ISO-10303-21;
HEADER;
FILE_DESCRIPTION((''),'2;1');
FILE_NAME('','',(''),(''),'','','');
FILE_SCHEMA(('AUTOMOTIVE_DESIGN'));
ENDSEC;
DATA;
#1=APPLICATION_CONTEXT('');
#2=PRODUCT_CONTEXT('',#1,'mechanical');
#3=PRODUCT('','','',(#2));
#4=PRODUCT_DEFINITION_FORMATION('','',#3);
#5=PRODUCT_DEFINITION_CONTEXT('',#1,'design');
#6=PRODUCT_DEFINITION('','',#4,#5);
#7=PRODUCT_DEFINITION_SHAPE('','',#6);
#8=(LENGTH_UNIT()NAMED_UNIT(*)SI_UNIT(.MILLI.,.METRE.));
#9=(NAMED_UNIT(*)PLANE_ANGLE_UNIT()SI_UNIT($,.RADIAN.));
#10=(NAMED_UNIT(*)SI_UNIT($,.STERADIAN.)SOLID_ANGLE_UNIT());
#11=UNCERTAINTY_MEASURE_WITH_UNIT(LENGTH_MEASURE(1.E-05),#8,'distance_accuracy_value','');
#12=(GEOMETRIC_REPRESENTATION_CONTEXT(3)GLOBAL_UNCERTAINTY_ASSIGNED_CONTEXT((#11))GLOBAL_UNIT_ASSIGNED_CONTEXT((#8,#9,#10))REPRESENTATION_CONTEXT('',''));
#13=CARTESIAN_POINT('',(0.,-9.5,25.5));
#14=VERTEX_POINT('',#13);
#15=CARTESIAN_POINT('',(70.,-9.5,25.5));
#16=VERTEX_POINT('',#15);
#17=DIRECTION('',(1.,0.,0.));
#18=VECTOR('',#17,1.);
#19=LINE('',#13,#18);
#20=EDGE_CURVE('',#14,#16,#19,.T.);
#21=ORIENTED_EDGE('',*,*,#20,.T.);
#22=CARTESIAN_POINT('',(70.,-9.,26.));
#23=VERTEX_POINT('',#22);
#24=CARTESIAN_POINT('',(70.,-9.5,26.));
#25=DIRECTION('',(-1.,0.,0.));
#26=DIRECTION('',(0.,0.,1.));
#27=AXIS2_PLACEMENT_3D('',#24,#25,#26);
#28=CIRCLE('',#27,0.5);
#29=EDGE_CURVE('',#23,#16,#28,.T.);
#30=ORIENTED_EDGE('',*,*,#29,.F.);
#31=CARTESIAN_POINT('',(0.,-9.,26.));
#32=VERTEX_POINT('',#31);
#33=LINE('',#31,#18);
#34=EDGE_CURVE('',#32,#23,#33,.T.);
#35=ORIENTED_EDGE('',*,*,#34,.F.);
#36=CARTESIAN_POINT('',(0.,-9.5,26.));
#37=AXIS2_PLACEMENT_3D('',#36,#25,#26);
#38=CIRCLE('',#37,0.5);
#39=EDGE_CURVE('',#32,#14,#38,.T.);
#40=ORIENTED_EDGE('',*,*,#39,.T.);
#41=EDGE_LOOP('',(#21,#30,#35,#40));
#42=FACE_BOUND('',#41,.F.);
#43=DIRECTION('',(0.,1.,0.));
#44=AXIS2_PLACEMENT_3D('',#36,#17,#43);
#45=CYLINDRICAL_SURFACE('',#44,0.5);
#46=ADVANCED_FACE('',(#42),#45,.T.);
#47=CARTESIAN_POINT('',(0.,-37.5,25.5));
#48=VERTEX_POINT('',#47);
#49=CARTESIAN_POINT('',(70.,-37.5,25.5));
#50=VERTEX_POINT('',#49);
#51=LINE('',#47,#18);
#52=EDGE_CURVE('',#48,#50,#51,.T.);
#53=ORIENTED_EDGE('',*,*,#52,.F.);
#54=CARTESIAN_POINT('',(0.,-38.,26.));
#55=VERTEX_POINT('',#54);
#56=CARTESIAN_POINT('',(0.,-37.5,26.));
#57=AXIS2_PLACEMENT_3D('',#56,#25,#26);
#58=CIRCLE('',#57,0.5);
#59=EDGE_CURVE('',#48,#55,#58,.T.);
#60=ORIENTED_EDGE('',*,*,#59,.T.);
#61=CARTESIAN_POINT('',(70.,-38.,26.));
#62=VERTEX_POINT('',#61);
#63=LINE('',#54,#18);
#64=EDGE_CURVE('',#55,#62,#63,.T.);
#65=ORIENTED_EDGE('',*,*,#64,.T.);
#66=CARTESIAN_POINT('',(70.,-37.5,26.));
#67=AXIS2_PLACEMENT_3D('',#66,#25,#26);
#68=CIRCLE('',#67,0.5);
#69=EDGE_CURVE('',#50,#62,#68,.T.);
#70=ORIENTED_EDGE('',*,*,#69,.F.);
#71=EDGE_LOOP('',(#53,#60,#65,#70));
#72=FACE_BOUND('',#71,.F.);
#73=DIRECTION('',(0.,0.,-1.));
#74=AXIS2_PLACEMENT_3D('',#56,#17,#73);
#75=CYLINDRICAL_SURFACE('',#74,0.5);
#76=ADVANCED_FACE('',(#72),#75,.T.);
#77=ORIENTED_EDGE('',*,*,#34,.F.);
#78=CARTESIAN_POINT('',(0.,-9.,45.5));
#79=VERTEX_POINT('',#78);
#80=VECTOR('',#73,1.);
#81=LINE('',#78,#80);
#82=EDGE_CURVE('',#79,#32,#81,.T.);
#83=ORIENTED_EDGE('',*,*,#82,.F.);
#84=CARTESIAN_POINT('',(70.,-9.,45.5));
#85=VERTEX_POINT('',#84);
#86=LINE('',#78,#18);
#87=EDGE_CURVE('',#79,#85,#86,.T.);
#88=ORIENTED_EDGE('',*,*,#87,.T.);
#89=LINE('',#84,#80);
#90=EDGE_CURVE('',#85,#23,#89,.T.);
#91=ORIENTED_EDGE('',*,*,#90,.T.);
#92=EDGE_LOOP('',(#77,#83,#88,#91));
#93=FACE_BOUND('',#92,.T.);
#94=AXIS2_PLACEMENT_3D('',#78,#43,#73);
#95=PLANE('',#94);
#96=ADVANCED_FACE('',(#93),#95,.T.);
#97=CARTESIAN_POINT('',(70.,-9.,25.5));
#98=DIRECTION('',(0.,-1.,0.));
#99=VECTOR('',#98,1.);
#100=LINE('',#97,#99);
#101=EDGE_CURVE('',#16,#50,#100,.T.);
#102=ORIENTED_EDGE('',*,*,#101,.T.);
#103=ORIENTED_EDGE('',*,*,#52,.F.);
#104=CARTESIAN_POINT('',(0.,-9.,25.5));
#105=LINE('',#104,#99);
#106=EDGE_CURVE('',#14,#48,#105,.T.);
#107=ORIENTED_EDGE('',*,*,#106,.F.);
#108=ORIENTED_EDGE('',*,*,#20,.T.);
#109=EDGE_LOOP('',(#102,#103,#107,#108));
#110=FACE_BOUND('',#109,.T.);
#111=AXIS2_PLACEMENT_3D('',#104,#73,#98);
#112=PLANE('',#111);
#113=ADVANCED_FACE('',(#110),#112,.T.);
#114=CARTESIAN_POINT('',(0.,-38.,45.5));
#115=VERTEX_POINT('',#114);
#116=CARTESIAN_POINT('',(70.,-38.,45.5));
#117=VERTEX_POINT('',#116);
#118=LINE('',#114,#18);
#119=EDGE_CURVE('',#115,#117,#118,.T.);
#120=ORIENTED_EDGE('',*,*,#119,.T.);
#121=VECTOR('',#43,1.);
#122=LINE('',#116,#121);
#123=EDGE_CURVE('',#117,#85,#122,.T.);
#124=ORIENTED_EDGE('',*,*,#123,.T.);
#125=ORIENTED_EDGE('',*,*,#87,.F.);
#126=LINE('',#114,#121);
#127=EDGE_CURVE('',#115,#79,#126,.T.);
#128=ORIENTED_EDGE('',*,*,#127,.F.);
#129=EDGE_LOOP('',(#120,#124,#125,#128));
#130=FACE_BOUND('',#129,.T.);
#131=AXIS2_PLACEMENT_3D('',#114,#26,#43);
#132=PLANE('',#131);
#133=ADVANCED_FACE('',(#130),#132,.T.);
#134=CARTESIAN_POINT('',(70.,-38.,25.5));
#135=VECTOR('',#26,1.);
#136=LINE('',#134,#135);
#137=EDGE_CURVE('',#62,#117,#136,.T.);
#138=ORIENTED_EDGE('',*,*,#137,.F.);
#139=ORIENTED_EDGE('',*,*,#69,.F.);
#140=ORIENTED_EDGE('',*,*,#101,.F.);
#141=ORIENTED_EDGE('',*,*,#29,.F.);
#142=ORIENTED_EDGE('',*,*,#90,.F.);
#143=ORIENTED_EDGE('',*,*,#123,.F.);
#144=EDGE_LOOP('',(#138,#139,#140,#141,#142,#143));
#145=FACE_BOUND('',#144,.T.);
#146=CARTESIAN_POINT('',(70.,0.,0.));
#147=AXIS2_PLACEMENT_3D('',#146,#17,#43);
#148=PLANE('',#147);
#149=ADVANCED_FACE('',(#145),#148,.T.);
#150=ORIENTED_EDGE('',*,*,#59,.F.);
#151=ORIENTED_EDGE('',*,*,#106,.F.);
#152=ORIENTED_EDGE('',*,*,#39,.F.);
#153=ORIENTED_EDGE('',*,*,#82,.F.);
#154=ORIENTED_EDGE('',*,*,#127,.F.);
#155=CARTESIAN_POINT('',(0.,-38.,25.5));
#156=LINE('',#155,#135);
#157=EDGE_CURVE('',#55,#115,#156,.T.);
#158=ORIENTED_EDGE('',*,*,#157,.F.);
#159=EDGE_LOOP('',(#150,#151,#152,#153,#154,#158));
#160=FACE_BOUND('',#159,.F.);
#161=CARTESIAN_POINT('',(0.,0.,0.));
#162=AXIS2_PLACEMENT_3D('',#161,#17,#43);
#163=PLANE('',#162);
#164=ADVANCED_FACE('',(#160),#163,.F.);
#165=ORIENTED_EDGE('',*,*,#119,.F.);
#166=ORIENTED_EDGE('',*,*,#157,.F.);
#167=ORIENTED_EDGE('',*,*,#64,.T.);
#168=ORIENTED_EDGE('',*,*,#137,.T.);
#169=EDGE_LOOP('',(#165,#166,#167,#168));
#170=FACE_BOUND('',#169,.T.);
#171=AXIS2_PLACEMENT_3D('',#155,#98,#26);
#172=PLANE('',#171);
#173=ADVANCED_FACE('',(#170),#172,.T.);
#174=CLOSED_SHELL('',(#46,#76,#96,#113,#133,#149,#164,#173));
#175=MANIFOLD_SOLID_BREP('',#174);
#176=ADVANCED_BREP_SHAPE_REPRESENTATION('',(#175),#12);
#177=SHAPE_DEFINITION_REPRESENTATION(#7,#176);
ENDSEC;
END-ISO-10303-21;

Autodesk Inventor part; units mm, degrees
ref_plane "YZ Plane" through (0, 0, 0) normal (1, 0, 0) x (0, 1, 0)
ref_plane "XZ Plane" through (0, 0, 0) normal (0, 1, 0) x (-1, 0, 0)
ref_plane "XY Plane" through (0, 0, 0) normal (0, 0, 1) x (1, 0, 0)
sketch "Szkic1" plane through (0, 0, 0) normal (1, 0, 0) x (0, 1, 0)
  line L0 (-38, 45.5) -> (-9, 45.5)
  line L1 (-9, 45.5) -> (-9, 25.5)
  line L2 (-9, 25.5) -> (-38, 25.5)
  line L3 (-38, 25.5) -> (-38, 45.5)
  line L4 (-38, 45.5) -> (-9, 25.5) construction
  line L5 (-9, 45.5) -> (-38, 25.5) construction
  point P0 (0, 0)
  point P1 (-23.5, 35.5)
  dimension "d0" = 29
  dimension "d1" = 20
extrude "Wyciągnięcie proste1" add sketch "Szkic1" along normal blind 70
fillet "Zaokrąglenie1" radius 0.5 2 edges at (35, -38, 25.5) (35, -9, 25.5)
properties part number "wozek"
